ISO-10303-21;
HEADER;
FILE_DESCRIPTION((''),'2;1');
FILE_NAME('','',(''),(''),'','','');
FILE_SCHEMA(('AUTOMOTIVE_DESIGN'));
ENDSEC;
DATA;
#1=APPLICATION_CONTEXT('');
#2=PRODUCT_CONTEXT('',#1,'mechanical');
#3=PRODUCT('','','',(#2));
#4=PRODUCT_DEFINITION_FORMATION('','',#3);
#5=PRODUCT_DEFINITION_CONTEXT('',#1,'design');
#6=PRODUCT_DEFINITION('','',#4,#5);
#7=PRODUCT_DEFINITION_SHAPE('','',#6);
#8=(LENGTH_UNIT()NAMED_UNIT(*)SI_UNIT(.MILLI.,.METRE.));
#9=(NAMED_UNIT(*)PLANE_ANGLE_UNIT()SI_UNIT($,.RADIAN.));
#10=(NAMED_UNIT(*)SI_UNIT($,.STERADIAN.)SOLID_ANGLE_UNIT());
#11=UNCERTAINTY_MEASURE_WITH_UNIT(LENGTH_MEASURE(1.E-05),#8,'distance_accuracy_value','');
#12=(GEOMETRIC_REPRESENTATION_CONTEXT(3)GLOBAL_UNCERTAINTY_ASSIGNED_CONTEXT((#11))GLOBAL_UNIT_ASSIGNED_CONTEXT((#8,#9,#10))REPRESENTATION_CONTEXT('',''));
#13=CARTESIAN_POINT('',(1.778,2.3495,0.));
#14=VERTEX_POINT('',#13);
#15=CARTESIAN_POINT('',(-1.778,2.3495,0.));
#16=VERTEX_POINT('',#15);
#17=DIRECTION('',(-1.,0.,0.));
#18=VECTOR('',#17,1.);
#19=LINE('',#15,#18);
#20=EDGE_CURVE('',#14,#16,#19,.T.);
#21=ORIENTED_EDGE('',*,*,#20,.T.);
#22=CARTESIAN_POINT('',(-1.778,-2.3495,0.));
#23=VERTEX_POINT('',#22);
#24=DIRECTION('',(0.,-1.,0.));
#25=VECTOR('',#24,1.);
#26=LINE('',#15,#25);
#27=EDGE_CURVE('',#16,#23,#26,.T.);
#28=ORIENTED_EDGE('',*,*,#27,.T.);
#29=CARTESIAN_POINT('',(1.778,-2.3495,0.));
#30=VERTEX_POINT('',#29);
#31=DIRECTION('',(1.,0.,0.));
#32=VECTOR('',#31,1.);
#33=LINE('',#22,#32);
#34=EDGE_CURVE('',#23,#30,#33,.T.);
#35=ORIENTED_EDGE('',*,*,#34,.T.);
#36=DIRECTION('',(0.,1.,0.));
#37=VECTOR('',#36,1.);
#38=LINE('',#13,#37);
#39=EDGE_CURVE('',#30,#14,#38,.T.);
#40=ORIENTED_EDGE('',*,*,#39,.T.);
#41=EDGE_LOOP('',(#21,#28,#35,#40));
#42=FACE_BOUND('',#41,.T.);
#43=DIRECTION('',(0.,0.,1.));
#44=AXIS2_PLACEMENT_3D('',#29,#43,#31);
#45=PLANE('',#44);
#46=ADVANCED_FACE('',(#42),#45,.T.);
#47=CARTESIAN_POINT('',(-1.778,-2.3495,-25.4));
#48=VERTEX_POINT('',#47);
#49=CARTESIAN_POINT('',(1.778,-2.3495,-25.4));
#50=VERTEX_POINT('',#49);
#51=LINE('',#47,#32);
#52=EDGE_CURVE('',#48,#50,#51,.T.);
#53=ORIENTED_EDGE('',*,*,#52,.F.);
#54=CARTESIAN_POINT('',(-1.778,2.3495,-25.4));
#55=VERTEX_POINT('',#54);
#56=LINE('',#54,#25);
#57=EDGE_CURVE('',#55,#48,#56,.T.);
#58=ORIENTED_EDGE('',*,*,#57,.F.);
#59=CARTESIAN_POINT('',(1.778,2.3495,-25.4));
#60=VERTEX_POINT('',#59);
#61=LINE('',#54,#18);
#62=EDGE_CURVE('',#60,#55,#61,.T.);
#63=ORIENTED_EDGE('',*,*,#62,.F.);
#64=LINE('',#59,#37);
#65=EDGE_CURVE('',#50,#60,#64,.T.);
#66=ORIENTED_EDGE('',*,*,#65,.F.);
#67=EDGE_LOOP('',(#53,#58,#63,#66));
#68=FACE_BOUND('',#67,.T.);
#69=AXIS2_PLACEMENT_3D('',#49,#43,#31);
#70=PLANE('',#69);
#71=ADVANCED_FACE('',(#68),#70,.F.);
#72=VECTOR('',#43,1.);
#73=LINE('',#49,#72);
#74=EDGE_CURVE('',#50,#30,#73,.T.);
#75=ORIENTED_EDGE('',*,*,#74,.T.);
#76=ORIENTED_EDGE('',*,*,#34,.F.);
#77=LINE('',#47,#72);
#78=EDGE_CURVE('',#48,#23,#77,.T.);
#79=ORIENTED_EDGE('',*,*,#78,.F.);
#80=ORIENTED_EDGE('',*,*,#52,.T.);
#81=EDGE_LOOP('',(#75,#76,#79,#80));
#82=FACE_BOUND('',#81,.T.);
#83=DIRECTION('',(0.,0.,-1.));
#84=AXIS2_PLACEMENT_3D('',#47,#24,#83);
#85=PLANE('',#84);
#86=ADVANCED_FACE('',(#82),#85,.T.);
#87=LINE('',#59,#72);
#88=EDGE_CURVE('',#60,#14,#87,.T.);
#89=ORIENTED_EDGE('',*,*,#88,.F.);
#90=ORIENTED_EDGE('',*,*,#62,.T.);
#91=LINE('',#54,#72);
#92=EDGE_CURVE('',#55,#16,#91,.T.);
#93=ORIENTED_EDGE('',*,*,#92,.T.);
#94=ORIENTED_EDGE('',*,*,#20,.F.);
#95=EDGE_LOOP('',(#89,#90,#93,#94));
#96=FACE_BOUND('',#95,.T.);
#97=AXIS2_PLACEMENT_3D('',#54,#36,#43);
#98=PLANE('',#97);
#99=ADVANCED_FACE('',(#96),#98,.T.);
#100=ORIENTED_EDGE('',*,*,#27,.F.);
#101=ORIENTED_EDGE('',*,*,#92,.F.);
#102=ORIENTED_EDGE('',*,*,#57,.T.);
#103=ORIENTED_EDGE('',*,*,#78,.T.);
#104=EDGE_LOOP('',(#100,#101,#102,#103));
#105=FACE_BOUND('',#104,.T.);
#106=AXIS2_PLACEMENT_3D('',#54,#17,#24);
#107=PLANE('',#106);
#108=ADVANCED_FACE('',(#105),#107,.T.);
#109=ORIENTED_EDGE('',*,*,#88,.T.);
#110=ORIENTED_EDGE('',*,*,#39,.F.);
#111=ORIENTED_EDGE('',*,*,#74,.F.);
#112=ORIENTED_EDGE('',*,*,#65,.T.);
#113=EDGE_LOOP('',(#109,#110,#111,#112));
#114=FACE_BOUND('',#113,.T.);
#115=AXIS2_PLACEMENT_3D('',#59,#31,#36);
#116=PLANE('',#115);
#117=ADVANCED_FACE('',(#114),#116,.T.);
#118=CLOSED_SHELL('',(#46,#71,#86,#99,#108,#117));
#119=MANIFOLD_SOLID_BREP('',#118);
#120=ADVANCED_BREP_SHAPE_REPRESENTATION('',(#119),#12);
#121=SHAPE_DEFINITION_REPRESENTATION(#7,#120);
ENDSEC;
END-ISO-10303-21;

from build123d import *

# Parameters (mm, degrees)
SKETCH1_W      = 3.556
SKETCH1_H      = 4.699
EXTRUDE1_DEPTH = 25.4


with BuildPart() as part:
    # Sketch1 → Extrude1 (new body)
    with BuildSketch(Plane.XY):
        Rectangle(SKETCH1_W, SKETCH1_H)
    extrude(amount=-EXTRUDE1_DEPTH)


solid = part.part
